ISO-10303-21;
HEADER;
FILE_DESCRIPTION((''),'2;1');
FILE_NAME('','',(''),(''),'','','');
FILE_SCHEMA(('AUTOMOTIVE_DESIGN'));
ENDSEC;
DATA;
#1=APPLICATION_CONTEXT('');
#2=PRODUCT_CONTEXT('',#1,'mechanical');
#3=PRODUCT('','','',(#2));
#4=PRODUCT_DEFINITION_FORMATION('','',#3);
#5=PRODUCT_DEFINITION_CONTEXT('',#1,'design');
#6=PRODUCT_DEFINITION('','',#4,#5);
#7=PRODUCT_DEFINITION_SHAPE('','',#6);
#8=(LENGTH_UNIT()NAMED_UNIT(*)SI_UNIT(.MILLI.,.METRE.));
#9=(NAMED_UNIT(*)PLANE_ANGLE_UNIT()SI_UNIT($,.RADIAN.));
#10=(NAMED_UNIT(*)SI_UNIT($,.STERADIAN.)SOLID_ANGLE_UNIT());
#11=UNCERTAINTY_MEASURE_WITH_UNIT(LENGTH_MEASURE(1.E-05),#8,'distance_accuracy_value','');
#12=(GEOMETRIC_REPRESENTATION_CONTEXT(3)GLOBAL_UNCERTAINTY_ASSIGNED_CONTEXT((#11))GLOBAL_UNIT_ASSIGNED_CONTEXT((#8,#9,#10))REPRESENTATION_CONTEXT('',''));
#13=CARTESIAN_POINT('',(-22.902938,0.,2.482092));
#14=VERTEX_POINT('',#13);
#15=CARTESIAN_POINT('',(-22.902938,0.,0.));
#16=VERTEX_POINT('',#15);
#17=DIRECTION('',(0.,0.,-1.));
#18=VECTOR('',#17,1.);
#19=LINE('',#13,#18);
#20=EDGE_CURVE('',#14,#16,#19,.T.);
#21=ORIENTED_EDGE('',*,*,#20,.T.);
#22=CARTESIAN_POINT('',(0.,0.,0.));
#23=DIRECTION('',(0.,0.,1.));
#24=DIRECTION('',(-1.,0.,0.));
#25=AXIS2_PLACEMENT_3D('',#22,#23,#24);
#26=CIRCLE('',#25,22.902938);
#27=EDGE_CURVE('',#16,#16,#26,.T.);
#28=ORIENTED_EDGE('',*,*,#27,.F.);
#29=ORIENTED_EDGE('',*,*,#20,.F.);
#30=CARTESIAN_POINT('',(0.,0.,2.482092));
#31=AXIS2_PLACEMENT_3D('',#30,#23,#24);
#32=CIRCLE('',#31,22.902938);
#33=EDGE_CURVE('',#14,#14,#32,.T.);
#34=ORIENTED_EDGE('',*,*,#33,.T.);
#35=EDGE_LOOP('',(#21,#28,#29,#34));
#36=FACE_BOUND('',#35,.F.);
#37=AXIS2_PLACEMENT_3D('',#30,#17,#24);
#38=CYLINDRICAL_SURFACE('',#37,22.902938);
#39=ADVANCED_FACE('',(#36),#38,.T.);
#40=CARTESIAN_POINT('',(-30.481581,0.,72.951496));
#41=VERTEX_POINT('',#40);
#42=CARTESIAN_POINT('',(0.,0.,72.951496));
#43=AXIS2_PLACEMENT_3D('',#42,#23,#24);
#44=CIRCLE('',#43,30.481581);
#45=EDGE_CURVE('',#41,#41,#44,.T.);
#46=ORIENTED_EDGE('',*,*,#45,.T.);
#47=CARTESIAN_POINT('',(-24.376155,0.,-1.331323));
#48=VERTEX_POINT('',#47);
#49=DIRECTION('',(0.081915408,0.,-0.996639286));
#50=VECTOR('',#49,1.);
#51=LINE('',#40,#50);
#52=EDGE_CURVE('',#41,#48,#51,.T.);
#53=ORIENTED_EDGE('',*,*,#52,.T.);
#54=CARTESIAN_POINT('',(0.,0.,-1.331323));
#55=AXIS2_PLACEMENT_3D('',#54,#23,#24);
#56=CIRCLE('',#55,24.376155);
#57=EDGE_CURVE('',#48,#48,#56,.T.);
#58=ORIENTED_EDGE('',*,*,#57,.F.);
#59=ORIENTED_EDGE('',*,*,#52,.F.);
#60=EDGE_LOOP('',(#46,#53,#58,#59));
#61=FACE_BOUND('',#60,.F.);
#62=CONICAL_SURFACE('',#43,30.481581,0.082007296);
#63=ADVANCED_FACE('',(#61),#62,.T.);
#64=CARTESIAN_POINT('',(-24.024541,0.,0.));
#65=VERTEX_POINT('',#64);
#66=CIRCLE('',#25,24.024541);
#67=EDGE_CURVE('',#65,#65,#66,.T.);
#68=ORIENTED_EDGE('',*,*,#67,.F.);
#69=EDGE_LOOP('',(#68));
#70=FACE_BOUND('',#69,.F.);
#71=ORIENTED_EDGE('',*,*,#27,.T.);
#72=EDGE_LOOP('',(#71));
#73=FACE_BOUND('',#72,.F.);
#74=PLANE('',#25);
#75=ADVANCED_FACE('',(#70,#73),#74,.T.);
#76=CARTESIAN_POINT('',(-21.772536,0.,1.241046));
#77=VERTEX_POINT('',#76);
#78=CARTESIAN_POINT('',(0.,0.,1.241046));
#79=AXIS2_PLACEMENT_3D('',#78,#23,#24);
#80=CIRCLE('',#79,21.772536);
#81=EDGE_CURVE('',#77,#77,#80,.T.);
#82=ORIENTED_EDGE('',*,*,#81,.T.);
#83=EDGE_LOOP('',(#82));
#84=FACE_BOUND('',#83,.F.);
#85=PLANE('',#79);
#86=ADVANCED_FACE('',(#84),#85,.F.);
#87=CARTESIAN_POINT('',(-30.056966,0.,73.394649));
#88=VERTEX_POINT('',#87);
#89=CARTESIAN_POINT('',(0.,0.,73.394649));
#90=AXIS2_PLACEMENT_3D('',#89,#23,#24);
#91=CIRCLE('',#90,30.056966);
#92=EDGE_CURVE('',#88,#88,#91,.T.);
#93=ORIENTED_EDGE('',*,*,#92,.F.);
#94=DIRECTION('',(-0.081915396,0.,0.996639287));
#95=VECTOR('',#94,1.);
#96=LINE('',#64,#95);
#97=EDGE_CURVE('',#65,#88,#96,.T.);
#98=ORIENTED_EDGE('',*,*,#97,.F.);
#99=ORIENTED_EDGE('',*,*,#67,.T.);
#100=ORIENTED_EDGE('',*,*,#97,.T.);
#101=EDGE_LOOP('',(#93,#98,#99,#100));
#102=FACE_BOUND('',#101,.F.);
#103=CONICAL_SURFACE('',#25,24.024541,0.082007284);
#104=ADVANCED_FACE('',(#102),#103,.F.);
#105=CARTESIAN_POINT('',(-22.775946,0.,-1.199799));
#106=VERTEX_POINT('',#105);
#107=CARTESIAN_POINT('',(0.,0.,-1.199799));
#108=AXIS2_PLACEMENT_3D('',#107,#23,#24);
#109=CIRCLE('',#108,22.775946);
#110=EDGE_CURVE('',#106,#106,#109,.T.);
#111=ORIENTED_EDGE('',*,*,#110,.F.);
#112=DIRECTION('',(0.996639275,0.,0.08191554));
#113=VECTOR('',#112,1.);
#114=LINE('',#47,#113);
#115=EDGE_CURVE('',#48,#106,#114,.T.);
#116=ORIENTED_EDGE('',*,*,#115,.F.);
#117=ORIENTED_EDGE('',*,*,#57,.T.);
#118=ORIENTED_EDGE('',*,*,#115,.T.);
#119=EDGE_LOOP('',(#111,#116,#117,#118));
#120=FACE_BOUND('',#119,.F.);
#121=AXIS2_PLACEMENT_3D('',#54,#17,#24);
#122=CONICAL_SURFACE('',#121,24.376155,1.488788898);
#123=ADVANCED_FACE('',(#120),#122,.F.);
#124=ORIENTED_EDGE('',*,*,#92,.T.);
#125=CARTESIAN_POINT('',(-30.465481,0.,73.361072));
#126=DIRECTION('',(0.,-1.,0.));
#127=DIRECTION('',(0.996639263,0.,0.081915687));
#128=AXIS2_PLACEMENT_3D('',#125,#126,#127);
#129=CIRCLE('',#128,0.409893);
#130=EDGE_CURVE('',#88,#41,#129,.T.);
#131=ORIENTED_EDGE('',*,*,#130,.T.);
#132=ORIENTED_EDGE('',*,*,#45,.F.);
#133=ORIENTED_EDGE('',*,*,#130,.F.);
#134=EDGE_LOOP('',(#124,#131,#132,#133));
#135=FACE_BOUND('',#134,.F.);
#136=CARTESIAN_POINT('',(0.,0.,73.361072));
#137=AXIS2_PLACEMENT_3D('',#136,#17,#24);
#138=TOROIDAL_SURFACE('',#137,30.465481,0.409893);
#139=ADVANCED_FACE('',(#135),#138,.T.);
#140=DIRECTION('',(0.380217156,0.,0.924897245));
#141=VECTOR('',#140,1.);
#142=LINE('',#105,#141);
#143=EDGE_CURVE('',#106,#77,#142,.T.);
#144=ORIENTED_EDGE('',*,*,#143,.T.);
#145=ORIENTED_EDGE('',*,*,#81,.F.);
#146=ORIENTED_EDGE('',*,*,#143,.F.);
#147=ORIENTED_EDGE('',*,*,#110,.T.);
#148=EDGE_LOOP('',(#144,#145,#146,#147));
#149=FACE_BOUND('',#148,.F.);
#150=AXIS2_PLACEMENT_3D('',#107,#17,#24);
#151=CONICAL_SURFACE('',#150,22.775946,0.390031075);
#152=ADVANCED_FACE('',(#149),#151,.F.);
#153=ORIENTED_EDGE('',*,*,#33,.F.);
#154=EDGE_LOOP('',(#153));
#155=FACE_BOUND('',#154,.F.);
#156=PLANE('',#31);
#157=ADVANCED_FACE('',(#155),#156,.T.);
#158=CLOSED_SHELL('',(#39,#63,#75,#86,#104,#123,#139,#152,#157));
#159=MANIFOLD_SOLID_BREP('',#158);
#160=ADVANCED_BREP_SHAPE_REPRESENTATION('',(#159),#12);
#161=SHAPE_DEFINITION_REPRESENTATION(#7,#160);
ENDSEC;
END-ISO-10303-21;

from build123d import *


with BuildPart() as f1:
    # F0 (on Front) → F1 (revolve)
    with BuildSketch(Plane.XZ):
        with BuildLine():
            Line((0, 1.241046), (0, 2.482092))
            Line((0, 2.482092), (-22.902938, 2.482092))
            Line((-22.902938, 2.482092), (-22.902938, 0))
            Line((-22.902938, 0), (-24.024541, 0))
            Line((-24.024541, 0), (-30.056966, 73.394649))
            ThreePointArc((-30.056966, 73.394649), (-30.761444, 73.644653), (-30.481581, 72.951496))
            Line((-30.481581, 72.951496), (-24.376155, -1.331323))
            Line((-24.376155, -1.331323), (-22.775946, -1.199799))
            Line((-22.775946, -1.199799), (-21.772536, 1.241046))
            Line((-21.772536, 1.241046), (0, 1.241046))
        make_face()
    revolve(axis=Axis((0, 0, 1.861569), (0, 0, 1)))


solid = f1.part
